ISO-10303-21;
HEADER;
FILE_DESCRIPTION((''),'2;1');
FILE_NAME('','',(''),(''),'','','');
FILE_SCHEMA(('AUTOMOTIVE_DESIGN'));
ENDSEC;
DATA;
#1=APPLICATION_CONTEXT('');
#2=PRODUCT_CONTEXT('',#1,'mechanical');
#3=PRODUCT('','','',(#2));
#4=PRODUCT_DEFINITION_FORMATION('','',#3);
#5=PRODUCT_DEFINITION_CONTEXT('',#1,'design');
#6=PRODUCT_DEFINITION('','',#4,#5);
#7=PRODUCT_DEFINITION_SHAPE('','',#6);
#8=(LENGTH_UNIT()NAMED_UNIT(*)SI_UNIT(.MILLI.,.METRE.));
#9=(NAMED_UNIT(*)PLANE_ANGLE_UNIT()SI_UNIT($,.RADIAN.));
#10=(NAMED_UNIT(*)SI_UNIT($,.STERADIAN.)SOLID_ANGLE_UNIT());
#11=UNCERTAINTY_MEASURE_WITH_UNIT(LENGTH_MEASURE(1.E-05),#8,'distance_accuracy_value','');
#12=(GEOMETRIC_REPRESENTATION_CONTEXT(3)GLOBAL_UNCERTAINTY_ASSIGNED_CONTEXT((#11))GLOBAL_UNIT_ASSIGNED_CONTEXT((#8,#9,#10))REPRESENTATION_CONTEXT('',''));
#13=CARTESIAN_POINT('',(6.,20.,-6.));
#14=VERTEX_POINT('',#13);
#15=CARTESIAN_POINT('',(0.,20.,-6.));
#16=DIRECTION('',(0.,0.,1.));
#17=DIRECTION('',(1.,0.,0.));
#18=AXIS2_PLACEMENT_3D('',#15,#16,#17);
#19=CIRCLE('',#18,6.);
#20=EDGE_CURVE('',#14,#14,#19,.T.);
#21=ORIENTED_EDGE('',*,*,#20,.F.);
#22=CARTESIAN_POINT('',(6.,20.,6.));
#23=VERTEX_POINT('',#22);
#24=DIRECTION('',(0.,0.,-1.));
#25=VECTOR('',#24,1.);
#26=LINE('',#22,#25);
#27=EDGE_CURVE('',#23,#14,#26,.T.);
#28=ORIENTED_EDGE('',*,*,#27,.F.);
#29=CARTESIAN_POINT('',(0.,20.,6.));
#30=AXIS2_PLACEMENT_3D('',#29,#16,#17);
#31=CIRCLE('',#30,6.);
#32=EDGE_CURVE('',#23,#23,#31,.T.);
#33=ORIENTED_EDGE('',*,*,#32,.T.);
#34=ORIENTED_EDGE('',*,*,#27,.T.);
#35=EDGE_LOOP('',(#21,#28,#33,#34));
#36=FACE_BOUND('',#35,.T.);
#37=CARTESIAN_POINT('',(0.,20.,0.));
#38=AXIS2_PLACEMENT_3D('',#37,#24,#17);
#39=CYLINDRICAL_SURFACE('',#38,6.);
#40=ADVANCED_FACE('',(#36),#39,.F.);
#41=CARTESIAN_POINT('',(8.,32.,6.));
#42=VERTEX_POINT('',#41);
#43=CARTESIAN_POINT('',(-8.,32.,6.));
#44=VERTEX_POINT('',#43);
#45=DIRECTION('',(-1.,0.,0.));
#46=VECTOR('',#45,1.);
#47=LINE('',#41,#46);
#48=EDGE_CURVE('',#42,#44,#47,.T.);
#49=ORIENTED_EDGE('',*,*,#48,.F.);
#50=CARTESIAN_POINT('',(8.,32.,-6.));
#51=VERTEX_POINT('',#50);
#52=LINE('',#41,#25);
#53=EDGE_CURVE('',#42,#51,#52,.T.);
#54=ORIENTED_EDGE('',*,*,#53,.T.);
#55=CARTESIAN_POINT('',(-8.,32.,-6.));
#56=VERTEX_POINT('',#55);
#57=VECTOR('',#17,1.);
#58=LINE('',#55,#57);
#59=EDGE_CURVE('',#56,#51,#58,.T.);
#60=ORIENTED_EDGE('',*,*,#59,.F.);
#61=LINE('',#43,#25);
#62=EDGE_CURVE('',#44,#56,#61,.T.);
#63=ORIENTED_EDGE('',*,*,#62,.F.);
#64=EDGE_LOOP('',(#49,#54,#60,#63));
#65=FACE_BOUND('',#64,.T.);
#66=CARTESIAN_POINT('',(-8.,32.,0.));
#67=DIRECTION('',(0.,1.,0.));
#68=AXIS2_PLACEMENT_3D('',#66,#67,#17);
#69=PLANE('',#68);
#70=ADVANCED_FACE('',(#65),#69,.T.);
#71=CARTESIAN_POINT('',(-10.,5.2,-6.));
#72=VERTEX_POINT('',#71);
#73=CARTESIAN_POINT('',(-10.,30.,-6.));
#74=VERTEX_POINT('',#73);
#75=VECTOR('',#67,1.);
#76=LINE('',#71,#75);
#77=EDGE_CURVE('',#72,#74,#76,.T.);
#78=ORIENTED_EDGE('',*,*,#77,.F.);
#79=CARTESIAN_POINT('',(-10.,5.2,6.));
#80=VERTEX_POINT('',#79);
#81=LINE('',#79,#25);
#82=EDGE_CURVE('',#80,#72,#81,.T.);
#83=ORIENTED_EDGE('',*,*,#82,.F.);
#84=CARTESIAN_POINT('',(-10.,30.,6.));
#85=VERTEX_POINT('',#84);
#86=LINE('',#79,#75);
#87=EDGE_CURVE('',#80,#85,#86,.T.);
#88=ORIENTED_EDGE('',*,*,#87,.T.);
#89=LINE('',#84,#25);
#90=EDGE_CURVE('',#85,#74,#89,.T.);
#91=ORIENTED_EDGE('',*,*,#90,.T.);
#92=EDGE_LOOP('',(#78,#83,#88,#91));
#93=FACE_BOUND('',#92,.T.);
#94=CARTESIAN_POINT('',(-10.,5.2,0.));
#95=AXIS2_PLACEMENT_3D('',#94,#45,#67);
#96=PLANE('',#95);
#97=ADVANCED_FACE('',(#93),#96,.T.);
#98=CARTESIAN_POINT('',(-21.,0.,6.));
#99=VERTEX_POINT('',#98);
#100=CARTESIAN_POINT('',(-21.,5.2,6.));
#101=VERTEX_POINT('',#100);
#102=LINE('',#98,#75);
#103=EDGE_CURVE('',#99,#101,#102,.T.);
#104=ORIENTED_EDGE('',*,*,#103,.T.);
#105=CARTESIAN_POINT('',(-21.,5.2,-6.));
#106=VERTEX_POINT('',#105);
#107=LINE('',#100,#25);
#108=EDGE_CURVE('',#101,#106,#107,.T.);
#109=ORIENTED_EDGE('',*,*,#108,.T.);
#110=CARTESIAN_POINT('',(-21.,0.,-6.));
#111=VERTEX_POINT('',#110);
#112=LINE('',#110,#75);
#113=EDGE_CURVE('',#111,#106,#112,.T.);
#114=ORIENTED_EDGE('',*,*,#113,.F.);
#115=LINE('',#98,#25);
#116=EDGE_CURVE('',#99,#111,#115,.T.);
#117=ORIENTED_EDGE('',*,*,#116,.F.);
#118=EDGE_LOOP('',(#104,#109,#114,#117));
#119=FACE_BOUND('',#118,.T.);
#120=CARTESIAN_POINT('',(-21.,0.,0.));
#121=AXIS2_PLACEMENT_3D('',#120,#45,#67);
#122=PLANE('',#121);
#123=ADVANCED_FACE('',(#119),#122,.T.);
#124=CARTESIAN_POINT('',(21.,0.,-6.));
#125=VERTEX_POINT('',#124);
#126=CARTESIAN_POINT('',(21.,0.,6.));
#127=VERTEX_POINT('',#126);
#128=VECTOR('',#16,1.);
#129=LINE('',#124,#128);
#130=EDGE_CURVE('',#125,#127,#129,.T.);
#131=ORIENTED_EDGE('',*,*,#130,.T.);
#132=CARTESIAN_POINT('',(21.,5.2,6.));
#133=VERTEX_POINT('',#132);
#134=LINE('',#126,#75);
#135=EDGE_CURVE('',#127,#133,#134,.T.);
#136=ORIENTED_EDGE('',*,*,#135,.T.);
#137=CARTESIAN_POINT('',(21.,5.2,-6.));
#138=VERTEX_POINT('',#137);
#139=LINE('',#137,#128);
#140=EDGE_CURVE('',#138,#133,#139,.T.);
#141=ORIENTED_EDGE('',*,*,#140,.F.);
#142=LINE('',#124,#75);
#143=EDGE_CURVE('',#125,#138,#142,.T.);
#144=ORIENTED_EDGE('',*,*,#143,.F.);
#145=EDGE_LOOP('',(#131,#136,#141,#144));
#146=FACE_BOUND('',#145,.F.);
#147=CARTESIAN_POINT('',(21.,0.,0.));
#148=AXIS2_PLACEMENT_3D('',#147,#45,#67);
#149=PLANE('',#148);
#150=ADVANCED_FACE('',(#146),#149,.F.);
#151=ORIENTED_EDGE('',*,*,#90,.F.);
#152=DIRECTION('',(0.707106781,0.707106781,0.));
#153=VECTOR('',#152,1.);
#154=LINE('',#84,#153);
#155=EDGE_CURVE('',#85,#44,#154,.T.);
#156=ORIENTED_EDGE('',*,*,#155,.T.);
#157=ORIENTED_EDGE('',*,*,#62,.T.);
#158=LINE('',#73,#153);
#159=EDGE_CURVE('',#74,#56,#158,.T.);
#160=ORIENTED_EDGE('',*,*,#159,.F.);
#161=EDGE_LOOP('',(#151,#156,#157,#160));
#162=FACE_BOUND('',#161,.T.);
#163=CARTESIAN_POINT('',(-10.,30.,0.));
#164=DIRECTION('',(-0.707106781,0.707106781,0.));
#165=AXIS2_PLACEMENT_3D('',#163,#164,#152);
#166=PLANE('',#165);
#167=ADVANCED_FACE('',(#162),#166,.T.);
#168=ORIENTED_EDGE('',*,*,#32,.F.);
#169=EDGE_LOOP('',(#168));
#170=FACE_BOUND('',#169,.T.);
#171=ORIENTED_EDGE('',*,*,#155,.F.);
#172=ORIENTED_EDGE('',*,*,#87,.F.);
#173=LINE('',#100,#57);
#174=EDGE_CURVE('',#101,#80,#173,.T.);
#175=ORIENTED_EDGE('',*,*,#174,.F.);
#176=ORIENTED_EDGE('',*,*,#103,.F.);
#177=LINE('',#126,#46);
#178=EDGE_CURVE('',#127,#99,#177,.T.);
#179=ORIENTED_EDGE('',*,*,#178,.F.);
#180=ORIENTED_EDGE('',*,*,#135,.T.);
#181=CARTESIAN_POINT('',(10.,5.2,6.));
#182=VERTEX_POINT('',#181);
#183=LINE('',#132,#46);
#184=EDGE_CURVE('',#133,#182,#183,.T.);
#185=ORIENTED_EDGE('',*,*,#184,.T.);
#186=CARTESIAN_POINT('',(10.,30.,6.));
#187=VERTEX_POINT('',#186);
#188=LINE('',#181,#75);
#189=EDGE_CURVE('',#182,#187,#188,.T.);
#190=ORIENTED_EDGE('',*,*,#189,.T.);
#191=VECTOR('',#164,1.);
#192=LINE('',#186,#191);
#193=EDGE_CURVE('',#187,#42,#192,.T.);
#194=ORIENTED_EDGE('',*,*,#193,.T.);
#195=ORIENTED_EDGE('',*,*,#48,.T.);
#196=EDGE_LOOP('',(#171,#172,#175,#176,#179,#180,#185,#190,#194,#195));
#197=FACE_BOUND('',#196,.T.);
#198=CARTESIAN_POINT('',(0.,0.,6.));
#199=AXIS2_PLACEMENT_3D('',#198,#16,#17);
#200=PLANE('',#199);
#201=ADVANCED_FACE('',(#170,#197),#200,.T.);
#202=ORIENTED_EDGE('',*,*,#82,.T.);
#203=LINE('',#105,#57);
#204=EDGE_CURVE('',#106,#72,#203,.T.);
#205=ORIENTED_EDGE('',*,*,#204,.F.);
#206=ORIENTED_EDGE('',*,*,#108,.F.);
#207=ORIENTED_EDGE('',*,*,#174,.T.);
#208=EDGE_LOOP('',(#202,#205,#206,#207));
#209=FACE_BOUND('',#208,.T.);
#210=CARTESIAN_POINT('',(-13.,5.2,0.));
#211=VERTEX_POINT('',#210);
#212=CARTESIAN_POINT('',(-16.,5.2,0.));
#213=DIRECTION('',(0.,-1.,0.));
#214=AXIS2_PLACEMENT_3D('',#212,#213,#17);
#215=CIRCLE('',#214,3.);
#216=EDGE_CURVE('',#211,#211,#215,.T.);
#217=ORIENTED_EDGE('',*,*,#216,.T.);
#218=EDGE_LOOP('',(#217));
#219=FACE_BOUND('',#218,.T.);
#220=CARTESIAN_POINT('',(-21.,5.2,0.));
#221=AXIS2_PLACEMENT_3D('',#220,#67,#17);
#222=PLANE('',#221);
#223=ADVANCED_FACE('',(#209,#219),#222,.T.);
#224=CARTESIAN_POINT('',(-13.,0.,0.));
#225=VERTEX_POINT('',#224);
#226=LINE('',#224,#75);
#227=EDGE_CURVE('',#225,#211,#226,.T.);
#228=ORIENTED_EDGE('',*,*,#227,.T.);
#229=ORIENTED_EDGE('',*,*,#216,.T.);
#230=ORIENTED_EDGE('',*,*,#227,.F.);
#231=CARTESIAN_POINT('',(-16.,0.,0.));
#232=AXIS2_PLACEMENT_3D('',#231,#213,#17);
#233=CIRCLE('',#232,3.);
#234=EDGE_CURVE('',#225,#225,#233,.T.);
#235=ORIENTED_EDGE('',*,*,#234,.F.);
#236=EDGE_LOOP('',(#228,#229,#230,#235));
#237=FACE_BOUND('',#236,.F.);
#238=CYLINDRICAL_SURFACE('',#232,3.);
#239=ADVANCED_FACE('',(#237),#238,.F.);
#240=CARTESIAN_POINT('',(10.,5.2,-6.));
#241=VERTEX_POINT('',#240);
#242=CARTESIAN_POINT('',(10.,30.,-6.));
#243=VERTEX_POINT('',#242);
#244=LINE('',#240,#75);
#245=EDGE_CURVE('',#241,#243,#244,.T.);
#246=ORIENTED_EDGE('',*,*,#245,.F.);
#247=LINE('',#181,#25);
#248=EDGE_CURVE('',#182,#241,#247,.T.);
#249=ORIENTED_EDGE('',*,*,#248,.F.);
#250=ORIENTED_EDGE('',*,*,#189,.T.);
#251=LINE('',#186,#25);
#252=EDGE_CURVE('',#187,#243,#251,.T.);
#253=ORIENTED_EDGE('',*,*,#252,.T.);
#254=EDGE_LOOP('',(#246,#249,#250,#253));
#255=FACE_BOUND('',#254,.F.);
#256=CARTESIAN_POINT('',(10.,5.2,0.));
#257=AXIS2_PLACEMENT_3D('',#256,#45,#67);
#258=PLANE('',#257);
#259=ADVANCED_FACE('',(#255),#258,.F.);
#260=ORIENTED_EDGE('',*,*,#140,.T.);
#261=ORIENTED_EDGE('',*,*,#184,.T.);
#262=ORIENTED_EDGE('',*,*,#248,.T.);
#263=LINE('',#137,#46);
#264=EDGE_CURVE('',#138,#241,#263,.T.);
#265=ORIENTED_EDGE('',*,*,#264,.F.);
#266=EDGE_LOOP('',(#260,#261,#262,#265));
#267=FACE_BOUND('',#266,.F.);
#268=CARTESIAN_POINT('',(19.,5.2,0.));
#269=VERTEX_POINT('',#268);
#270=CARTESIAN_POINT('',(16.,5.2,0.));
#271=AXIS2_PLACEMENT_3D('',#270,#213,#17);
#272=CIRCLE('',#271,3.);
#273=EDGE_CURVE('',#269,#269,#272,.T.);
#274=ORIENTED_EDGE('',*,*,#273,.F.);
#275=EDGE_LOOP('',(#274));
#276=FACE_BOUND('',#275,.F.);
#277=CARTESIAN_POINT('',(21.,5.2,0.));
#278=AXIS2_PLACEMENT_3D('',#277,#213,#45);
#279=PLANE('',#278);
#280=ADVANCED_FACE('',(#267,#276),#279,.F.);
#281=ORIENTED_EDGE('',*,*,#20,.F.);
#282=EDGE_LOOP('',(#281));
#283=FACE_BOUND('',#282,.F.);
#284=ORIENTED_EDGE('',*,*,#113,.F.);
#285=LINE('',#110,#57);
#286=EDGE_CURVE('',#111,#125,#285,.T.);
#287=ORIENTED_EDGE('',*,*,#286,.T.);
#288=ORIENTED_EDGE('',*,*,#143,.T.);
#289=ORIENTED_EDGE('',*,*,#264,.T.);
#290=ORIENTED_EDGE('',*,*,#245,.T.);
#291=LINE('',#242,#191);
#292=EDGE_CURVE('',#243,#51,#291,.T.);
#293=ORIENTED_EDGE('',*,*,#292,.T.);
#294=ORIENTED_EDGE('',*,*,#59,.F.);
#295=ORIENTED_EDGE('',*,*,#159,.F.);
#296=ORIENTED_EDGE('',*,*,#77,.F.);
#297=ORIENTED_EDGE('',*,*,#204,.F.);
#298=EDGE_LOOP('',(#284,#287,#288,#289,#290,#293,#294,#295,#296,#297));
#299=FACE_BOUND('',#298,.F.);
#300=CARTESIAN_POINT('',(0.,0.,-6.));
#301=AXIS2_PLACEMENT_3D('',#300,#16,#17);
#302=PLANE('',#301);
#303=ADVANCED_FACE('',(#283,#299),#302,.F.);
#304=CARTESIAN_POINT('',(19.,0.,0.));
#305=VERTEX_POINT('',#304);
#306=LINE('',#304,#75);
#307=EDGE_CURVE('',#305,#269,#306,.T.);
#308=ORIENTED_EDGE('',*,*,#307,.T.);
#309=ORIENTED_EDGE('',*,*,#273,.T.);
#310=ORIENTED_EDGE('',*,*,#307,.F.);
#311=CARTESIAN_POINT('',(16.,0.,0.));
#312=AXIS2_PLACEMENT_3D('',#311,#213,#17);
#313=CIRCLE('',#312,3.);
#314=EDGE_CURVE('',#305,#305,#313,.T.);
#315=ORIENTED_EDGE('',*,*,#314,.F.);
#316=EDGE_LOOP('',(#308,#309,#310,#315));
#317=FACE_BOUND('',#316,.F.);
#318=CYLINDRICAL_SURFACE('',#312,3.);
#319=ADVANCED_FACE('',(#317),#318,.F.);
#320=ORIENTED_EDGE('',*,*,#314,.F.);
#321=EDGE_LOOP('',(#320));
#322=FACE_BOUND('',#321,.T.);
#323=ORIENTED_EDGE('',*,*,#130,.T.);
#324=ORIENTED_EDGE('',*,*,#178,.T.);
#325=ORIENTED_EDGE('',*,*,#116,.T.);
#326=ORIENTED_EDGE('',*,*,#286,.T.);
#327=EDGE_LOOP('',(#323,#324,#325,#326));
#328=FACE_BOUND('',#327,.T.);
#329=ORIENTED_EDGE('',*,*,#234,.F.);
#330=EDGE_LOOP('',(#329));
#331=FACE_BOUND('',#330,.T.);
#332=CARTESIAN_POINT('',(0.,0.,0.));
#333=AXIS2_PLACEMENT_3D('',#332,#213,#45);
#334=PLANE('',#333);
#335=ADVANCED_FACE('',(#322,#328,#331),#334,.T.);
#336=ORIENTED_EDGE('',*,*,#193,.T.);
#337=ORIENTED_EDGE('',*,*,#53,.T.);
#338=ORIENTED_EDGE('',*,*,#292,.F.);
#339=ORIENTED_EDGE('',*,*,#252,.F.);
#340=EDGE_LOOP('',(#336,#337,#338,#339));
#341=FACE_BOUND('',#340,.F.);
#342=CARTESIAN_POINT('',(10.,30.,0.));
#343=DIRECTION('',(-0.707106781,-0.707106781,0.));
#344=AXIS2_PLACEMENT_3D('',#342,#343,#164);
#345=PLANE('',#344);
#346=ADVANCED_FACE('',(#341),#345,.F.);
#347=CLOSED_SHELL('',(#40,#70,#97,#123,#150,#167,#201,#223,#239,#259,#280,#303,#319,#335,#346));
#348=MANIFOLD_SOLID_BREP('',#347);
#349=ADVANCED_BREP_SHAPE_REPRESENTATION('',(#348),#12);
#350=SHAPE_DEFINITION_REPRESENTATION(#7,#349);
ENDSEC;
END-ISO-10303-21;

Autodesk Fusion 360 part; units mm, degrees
sketch "Boceto1" plane through (0, 0, 0) normal (0, 0, 1) x (1, 0, 0)
  line L0 (0, 0) -> (21, 0)
  line L1 (21, 0) -> (21, 5.2)
  line L2 (21, 5.2) -> (10, 5.2)
  line L3 (10, 5.2) -> (10, 30)
  line L4 (10, 30) -> (8, 32)
  line L5 (10, 30) -> (23.9079, 30) construction
  line L6 (8, 32) -> (0, 32)
  line L7 (0, 0) -> (0, 32) construction
  line L8 (-10, 30) -> (-8, 32)
  line L9 (-10, 5.2) -> (-10, 30)
  line L10 (-21, 0) -> (-21, 5.2)
  line L11 (-21, 5.2) -> (-10, 5.2)
  line L12 (-8, 32) -> (0, 32)
  circle A0 centre (0, 20) radius 6
  line L13 (0, 0) -> (-21, 0)
  dimension "d17" = 5.2
  dimension "d19" = 45
  dimension "d20" = 8
  dimension "d21" = 32
  dimension "d24" = 10
  dimension "d25" = 12
  dimension "d26" = 20
  dimension "d47" = 10
  dimension "d50" = 11
extrude "Extruir2" add sketch "Boceto1" along normal mid plane 12
sketch "Boceto7" plane through (0, 0, 0) normal (0, -1, 0) x (1, 0, 0)
  line L0 (21, -6) -> (21, 6)
  line L1 (21, 6) -> (-21, 6)
  line L2 (-21, 6) -> (-21, -6)
  line L3 (-21, -6) -> (21, -6)
  circle A0 centre (16, 0) radius 3
  circle A1 centre (-16, 0) radius 3
  dimension "d57" = 6
  dimension "d58" = 5
  dimension "d59" = 6
extrude "Extruir11" cut sketch "Boceto7" along normal mid plane 52 contours A0 | A1
extrude "Extruir6" [suppressed]
extrude "Extruir7" [suppressed]
component "Component" placed x (1, 0, 0) y (0, 1, 0) z (0, 0, 1) at (0, 0, 0)
